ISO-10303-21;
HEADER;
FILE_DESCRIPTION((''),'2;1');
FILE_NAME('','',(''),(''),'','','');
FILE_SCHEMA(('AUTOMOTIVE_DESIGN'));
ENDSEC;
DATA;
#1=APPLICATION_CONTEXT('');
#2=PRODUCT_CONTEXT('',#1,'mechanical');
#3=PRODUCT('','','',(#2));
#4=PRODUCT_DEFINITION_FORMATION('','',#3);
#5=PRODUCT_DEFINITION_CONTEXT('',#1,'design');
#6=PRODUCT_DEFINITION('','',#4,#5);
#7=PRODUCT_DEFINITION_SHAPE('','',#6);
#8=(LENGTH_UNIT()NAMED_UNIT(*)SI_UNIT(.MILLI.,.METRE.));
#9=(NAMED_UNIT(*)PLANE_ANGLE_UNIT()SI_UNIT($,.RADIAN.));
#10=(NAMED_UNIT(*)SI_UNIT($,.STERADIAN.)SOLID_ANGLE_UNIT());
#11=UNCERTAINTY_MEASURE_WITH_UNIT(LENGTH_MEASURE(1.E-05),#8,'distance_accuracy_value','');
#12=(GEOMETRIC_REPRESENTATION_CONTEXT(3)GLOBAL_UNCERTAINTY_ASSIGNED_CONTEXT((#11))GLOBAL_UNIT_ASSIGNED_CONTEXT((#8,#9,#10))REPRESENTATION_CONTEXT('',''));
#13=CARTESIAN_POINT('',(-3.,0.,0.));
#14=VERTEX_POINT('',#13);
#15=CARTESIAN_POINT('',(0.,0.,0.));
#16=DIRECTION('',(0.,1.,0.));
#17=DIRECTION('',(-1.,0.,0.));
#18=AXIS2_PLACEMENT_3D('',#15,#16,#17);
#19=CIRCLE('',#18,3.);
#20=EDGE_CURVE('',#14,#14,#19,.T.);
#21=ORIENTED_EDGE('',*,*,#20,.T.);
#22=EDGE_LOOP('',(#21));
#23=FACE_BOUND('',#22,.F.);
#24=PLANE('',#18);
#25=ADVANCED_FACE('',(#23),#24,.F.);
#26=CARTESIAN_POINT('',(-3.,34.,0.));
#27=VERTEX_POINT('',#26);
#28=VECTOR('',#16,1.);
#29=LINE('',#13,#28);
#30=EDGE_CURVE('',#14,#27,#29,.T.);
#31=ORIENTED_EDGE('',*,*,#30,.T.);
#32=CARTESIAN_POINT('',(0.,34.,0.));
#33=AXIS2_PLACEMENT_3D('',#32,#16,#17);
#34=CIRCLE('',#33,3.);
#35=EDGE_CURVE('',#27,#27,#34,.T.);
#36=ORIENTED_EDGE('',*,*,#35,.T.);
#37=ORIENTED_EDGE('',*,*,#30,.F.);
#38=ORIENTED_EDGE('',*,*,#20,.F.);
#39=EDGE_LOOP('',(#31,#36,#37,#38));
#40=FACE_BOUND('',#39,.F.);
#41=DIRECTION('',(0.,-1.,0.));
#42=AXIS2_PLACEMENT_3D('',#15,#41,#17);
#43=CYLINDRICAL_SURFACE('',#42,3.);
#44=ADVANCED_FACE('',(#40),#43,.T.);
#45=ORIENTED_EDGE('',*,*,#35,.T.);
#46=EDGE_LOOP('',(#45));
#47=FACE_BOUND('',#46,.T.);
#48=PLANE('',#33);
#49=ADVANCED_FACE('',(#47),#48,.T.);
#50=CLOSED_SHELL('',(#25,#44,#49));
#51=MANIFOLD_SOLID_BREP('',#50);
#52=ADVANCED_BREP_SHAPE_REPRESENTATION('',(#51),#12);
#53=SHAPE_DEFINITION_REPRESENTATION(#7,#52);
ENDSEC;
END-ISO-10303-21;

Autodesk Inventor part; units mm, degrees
ref_plane "YZ Plane" through (0, 0, 0) normal (1, 0, 0) x (0, 1, 0)
ref_plane "XZ Plane" through (0, 0, 0) normal (0, 1, 0) x (-1, 0, 0)
ref_plane "XY Plane" through (0, 0, 0) normal (0, 0, 1) x (1, 0, 0)
sketch "Эскиз1" plane through (0, 0, 0) normal (0, 1, 0) x (-1, 0, 0)
  circle A0 centre (0, 0) radius 3
  dimension "d0" = 6
extrude "Выдавливание1" add sketch "Эскиз1" along normal blind 34
properties part number "зеленые трубки" material "Свинец"
